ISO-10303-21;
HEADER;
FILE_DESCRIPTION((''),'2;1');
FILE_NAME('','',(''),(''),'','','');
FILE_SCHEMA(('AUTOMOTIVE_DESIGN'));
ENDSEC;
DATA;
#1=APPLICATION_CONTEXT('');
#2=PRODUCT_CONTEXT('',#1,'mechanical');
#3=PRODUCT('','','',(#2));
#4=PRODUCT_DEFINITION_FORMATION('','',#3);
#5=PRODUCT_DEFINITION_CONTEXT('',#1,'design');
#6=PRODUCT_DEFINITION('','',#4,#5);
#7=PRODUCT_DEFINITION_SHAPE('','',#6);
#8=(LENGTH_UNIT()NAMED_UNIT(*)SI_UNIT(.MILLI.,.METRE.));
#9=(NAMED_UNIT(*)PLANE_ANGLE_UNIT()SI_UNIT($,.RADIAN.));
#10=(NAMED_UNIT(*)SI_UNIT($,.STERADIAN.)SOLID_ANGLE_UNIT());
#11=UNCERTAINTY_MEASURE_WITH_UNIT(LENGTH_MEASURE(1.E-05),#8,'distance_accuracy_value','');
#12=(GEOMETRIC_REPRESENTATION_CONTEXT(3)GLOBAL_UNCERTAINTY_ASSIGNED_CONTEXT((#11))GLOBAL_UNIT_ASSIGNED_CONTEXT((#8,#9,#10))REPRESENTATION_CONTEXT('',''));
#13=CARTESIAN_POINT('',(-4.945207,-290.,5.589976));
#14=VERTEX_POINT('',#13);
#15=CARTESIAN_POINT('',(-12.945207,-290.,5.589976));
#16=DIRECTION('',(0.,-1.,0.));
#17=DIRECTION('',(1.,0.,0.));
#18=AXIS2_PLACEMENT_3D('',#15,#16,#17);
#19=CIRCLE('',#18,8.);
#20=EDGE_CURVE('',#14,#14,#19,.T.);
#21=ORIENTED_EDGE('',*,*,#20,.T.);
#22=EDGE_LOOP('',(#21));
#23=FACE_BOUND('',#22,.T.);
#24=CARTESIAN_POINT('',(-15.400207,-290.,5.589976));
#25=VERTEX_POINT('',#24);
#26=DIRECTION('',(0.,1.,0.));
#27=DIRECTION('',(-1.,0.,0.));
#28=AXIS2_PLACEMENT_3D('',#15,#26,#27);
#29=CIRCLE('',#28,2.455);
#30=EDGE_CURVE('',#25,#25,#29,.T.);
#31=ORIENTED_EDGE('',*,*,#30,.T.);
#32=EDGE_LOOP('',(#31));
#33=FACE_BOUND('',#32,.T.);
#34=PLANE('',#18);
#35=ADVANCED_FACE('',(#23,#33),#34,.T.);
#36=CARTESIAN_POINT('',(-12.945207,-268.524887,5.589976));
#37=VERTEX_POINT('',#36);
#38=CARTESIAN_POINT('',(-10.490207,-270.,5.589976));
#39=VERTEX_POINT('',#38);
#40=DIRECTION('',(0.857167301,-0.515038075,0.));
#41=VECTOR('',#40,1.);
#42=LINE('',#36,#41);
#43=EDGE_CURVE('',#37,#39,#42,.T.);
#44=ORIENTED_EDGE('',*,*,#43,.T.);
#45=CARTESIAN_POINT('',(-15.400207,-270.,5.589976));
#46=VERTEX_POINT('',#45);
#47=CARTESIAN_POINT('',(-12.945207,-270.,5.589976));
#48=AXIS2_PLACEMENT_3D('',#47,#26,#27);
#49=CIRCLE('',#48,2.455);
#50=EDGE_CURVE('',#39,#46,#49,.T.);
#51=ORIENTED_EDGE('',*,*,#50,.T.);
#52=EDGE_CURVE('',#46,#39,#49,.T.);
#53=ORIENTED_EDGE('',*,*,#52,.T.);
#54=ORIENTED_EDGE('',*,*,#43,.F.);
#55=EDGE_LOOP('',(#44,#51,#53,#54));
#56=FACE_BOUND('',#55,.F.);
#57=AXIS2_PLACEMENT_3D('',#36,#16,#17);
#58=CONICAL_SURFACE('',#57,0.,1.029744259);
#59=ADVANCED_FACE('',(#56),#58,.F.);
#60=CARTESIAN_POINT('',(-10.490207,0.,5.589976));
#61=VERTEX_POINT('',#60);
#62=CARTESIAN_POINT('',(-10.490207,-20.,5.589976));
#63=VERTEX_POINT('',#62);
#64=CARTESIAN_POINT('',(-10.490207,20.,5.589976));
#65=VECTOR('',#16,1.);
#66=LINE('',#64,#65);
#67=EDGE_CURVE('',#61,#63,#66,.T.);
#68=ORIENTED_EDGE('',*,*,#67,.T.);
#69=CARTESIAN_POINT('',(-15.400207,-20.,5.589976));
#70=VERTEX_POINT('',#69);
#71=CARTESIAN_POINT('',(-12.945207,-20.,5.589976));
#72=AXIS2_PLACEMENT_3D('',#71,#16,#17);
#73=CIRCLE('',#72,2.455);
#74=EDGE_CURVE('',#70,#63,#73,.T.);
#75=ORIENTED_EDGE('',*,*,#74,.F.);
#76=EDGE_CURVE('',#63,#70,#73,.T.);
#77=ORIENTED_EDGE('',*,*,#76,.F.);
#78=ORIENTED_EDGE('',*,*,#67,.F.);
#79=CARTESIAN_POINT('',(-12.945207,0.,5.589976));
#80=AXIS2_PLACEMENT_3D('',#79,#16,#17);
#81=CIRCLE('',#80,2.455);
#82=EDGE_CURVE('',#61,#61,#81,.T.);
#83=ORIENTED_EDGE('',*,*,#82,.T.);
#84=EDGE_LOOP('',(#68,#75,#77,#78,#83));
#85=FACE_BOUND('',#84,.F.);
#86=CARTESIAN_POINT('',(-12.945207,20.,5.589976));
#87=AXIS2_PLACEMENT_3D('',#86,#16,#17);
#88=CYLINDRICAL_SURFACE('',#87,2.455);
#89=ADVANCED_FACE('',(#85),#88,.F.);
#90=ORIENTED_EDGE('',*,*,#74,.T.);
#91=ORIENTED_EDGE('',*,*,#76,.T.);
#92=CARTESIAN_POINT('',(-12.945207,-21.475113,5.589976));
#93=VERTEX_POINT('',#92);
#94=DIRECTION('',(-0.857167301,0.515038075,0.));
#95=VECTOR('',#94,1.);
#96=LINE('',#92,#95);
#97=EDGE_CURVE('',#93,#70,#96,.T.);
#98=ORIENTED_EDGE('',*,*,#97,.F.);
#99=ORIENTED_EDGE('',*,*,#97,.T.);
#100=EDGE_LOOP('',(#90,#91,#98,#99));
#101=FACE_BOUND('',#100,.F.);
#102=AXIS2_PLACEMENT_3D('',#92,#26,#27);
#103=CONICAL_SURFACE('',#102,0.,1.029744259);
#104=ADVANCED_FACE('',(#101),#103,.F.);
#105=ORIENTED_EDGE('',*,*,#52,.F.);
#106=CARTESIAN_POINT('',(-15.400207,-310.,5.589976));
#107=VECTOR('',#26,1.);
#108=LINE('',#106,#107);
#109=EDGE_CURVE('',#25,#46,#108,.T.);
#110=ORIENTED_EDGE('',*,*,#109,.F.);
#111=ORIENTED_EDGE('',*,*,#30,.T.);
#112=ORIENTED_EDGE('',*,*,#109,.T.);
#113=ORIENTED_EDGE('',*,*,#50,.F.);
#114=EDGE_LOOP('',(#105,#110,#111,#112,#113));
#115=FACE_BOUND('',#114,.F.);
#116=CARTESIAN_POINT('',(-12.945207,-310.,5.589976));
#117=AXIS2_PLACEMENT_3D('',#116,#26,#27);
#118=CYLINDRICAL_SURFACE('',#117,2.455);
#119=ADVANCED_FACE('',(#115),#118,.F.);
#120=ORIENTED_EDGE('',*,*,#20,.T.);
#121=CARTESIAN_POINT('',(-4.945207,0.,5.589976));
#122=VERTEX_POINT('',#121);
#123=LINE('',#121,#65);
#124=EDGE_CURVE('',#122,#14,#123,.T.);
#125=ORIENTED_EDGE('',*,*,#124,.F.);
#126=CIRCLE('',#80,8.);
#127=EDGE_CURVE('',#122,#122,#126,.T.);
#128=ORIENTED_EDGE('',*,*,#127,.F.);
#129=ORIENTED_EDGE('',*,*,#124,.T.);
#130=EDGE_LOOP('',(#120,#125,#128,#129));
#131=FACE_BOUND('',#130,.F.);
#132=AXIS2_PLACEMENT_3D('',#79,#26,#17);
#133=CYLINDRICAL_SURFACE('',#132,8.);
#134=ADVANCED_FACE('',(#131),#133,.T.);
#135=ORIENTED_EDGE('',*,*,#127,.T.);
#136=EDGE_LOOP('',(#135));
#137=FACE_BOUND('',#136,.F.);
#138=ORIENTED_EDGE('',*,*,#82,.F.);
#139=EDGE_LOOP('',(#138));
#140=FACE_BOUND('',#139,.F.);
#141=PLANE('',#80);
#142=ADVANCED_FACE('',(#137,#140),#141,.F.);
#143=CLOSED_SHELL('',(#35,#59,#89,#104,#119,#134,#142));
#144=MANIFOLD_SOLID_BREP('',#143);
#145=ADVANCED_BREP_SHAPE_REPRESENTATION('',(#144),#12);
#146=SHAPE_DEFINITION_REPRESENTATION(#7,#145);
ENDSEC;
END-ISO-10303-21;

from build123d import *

# Parameters (mm, degrees)
F0_R     = 8
F1_DEPTH = 290
F3_D     = 4.91
F3_DEPTH = 20
F3_TIP   = 1.4751128197
F5_D     = 4.91
F5_DEPTH = 20
F5_TIP   = 1.4751128197


with BuildPart() as f1:
    # F0 (on Front) → F1 (new body)
    with BuildSketch(Plane.XZ):
        with Locations((-12.9452068359, 5.5899755098)):
            Circle(F0_R)
    extrude(amount=F1_DEPTH)

    # F3
    with Locations(Plane.XZ.offset(290)):
        with Locations((-12.9452068359, 5.5899755098)):
            Hole(F3_D / 2, depth=F3_DEPTH)
            with Locations((0, 0, -(F3_DEPTH + F3_TIP / 2))):  # 118° drill point
                Cone(0, F3_D / 2, F3_TIP, mode=Mode.SUBTRACT)

    # F5
    with Locations(Plane(origin=(0, 0, 0), x_dir=(-1, 0, 0), z_dir=(0, 1, 0))):
        with Locations((12.9452068359, 5.5899755098)):
            Hole(F5_D / 2, depth=F5_DEPTH)
            with Locations((0, 0, -(F5_DEPTH + F5_TIP / 2))):  # 118° drill point
                Cone(0, F5_D / 2, F5_TIP, mode=Mode.SUBTRACT)


solid = f1.part
